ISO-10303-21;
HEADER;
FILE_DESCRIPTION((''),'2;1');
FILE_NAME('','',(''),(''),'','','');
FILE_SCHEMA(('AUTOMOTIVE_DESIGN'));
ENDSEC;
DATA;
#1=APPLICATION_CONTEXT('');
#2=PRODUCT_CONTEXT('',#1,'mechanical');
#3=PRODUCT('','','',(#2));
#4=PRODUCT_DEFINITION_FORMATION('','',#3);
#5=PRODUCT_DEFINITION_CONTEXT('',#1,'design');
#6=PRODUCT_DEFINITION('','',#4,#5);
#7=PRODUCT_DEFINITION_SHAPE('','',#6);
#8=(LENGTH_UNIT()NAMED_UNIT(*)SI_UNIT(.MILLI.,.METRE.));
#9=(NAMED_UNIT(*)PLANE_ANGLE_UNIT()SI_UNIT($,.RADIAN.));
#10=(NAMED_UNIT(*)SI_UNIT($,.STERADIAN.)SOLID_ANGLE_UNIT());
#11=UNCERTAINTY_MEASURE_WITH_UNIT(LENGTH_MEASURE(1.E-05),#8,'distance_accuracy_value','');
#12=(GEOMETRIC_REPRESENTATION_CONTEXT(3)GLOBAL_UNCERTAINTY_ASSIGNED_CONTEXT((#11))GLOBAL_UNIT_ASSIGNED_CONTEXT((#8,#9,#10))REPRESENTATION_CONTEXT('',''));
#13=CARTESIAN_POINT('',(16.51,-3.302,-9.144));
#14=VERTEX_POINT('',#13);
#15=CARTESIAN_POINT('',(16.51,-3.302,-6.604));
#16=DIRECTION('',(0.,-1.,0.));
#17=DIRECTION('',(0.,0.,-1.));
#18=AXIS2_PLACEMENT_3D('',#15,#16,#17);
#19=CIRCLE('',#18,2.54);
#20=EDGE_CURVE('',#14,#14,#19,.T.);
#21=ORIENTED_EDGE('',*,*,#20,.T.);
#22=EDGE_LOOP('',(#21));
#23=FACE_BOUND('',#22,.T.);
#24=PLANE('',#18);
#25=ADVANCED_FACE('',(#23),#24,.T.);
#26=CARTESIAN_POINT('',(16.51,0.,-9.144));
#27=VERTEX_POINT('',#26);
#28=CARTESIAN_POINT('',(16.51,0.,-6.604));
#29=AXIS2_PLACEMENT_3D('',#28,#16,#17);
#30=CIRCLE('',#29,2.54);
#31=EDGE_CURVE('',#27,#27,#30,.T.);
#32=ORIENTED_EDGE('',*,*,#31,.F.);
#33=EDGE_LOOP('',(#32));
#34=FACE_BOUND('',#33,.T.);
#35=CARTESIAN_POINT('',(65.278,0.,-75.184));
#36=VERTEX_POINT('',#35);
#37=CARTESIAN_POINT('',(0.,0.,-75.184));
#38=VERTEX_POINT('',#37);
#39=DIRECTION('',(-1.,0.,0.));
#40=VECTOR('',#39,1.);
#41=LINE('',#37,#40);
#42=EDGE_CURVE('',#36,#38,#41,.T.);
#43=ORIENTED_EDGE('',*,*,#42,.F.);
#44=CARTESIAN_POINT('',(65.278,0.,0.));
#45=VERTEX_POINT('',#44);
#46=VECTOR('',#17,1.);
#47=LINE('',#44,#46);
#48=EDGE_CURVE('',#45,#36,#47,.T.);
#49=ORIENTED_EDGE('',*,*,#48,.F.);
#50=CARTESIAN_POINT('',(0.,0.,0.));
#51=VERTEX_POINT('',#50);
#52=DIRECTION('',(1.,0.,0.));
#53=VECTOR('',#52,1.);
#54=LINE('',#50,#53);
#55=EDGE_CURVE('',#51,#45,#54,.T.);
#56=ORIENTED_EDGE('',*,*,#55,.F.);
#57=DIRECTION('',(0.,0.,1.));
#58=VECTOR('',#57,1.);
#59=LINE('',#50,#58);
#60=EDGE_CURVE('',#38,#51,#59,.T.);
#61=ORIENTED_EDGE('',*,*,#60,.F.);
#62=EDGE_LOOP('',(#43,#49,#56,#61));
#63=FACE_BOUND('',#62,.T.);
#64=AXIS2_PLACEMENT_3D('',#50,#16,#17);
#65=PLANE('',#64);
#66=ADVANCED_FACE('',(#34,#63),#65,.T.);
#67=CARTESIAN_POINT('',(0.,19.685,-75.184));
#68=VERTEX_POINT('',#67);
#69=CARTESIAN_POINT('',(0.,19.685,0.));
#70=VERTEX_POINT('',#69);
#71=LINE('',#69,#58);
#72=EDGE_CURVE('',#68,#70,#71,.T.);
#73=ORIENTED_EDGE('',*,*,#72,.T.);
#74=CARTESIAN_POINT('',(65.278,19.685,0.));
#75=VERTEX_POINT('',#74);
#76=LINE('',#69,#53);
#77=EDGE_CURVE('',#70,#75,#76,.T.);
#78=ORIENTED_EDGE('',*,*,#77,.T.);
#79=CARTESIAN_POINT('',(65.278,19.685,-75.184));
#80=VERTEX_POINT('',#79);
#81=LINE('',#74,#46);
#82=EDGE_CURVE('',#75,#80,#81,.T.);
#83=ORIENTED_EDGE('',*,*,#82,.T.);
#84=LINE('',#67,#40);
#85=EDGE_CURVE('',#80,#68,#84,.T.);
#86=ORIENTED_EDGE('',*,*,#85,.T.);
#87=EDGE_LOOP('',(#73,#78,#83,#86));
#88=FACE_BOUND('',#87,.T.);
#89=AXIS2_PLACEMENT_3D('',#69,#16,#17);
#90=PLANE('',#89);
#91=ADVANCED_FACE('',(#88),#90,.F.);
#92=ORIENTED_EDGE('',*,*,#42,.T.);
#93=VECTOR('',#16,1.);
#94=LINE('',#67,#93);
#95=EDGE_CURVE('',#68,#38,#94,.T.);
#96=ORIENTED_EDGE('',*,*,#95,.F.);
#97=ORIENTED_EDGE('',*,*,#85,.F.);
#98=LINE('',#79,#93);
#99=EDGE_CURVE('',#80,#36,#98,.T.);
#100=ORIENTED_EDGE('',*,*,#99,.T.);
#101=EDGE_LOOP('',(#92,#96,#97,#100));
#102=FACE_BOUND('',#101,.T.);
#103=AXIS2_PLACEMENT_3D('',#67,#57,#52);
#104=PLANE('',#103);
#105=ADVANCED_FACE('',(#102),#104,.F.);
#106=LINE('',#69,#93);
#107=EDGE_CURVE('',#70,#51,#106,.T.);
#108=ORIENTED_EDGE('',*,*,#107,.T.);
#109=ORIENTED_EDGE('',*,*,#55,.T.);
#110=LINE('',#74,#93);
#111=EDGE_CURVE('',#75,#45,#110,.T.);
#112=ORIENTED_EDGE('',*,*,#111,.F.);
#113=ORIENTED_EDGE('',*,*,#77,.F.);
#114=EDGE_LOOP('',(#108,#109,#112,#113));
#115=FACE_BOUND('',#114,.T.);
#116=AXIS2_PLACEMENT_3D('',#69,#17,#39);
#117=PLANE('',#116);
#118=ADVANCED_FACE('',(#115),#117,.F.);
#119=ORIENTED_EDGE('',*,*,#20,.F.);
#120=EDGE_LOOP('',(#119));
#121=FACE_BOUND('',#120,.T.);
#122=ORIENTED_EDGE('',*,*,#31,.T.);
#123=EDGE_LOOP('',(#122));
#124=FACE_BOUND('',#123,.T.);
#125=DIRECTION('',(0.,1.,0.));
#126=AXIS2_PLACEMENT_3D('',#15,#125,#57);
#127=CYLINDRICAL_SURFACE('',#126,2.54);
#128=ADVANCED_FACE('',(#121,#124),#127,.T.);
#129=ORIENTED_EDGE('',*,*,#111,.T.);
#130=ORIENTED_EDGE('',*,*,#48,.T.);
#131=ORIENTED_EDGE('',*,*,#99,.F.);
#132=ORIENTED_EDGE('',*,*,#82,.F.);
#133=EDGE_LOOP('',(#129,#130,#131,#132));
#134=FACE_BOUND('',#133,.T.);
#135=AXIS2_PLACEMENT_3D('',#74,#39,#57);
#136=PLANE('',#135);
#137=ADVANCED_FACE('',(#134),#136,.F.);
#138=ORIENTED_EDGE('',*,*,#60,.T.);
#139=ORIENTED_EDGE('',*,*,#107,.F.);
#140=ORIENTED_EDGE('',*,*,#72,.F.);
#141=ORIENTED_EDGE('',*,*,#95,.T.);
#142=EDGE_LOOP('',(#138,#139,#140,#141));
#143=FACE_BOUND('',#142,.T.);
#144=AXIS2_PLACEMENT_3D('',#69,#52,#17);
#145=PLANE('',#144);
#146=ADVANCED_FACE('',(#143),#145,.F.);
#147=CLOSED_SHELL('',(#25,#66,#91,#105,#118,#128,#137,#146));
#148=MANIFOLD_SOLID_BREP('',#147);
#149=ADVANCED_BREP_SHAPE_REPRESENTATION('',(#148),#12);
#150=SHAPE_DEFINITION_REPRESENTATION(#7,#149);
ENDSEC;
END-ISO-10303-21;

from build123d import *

# Parameters (mm, degrees)
SKETCH1_W           = 65.278
SKETCH1_H           = 75.184
BOSS_EXTRUDE1_DEPTH = 19.685
SKETCH3_R           = 2.54
BOSS_EXTRUDE2_DEPTH = 3.302


with BuildPart() as part:
    # Sketch1 → Boss-Extrude1 (new body)
    with BuildSketch(Plane(origin=(0, 0, 0), x_dir=(1, 0, 0), z_dir=(0, 1, 0))):
        with Locations((32.639, 37.592)):
            Rectangle(SKETCH1_W, SKETCH1_H)
    extrude(amount=BOSS_EXTRUDE1_DEPTH)

    # Sketch3 → Boss-Extrude2 (add)
    with BuildSketch(Plane.XZ):
        with Locations((16.51, -6.604)):
            Circle(SKETCH3_R)
    extrude(amount=BOSS_EXTRUDE2_DEPTH)


solid = part.part
